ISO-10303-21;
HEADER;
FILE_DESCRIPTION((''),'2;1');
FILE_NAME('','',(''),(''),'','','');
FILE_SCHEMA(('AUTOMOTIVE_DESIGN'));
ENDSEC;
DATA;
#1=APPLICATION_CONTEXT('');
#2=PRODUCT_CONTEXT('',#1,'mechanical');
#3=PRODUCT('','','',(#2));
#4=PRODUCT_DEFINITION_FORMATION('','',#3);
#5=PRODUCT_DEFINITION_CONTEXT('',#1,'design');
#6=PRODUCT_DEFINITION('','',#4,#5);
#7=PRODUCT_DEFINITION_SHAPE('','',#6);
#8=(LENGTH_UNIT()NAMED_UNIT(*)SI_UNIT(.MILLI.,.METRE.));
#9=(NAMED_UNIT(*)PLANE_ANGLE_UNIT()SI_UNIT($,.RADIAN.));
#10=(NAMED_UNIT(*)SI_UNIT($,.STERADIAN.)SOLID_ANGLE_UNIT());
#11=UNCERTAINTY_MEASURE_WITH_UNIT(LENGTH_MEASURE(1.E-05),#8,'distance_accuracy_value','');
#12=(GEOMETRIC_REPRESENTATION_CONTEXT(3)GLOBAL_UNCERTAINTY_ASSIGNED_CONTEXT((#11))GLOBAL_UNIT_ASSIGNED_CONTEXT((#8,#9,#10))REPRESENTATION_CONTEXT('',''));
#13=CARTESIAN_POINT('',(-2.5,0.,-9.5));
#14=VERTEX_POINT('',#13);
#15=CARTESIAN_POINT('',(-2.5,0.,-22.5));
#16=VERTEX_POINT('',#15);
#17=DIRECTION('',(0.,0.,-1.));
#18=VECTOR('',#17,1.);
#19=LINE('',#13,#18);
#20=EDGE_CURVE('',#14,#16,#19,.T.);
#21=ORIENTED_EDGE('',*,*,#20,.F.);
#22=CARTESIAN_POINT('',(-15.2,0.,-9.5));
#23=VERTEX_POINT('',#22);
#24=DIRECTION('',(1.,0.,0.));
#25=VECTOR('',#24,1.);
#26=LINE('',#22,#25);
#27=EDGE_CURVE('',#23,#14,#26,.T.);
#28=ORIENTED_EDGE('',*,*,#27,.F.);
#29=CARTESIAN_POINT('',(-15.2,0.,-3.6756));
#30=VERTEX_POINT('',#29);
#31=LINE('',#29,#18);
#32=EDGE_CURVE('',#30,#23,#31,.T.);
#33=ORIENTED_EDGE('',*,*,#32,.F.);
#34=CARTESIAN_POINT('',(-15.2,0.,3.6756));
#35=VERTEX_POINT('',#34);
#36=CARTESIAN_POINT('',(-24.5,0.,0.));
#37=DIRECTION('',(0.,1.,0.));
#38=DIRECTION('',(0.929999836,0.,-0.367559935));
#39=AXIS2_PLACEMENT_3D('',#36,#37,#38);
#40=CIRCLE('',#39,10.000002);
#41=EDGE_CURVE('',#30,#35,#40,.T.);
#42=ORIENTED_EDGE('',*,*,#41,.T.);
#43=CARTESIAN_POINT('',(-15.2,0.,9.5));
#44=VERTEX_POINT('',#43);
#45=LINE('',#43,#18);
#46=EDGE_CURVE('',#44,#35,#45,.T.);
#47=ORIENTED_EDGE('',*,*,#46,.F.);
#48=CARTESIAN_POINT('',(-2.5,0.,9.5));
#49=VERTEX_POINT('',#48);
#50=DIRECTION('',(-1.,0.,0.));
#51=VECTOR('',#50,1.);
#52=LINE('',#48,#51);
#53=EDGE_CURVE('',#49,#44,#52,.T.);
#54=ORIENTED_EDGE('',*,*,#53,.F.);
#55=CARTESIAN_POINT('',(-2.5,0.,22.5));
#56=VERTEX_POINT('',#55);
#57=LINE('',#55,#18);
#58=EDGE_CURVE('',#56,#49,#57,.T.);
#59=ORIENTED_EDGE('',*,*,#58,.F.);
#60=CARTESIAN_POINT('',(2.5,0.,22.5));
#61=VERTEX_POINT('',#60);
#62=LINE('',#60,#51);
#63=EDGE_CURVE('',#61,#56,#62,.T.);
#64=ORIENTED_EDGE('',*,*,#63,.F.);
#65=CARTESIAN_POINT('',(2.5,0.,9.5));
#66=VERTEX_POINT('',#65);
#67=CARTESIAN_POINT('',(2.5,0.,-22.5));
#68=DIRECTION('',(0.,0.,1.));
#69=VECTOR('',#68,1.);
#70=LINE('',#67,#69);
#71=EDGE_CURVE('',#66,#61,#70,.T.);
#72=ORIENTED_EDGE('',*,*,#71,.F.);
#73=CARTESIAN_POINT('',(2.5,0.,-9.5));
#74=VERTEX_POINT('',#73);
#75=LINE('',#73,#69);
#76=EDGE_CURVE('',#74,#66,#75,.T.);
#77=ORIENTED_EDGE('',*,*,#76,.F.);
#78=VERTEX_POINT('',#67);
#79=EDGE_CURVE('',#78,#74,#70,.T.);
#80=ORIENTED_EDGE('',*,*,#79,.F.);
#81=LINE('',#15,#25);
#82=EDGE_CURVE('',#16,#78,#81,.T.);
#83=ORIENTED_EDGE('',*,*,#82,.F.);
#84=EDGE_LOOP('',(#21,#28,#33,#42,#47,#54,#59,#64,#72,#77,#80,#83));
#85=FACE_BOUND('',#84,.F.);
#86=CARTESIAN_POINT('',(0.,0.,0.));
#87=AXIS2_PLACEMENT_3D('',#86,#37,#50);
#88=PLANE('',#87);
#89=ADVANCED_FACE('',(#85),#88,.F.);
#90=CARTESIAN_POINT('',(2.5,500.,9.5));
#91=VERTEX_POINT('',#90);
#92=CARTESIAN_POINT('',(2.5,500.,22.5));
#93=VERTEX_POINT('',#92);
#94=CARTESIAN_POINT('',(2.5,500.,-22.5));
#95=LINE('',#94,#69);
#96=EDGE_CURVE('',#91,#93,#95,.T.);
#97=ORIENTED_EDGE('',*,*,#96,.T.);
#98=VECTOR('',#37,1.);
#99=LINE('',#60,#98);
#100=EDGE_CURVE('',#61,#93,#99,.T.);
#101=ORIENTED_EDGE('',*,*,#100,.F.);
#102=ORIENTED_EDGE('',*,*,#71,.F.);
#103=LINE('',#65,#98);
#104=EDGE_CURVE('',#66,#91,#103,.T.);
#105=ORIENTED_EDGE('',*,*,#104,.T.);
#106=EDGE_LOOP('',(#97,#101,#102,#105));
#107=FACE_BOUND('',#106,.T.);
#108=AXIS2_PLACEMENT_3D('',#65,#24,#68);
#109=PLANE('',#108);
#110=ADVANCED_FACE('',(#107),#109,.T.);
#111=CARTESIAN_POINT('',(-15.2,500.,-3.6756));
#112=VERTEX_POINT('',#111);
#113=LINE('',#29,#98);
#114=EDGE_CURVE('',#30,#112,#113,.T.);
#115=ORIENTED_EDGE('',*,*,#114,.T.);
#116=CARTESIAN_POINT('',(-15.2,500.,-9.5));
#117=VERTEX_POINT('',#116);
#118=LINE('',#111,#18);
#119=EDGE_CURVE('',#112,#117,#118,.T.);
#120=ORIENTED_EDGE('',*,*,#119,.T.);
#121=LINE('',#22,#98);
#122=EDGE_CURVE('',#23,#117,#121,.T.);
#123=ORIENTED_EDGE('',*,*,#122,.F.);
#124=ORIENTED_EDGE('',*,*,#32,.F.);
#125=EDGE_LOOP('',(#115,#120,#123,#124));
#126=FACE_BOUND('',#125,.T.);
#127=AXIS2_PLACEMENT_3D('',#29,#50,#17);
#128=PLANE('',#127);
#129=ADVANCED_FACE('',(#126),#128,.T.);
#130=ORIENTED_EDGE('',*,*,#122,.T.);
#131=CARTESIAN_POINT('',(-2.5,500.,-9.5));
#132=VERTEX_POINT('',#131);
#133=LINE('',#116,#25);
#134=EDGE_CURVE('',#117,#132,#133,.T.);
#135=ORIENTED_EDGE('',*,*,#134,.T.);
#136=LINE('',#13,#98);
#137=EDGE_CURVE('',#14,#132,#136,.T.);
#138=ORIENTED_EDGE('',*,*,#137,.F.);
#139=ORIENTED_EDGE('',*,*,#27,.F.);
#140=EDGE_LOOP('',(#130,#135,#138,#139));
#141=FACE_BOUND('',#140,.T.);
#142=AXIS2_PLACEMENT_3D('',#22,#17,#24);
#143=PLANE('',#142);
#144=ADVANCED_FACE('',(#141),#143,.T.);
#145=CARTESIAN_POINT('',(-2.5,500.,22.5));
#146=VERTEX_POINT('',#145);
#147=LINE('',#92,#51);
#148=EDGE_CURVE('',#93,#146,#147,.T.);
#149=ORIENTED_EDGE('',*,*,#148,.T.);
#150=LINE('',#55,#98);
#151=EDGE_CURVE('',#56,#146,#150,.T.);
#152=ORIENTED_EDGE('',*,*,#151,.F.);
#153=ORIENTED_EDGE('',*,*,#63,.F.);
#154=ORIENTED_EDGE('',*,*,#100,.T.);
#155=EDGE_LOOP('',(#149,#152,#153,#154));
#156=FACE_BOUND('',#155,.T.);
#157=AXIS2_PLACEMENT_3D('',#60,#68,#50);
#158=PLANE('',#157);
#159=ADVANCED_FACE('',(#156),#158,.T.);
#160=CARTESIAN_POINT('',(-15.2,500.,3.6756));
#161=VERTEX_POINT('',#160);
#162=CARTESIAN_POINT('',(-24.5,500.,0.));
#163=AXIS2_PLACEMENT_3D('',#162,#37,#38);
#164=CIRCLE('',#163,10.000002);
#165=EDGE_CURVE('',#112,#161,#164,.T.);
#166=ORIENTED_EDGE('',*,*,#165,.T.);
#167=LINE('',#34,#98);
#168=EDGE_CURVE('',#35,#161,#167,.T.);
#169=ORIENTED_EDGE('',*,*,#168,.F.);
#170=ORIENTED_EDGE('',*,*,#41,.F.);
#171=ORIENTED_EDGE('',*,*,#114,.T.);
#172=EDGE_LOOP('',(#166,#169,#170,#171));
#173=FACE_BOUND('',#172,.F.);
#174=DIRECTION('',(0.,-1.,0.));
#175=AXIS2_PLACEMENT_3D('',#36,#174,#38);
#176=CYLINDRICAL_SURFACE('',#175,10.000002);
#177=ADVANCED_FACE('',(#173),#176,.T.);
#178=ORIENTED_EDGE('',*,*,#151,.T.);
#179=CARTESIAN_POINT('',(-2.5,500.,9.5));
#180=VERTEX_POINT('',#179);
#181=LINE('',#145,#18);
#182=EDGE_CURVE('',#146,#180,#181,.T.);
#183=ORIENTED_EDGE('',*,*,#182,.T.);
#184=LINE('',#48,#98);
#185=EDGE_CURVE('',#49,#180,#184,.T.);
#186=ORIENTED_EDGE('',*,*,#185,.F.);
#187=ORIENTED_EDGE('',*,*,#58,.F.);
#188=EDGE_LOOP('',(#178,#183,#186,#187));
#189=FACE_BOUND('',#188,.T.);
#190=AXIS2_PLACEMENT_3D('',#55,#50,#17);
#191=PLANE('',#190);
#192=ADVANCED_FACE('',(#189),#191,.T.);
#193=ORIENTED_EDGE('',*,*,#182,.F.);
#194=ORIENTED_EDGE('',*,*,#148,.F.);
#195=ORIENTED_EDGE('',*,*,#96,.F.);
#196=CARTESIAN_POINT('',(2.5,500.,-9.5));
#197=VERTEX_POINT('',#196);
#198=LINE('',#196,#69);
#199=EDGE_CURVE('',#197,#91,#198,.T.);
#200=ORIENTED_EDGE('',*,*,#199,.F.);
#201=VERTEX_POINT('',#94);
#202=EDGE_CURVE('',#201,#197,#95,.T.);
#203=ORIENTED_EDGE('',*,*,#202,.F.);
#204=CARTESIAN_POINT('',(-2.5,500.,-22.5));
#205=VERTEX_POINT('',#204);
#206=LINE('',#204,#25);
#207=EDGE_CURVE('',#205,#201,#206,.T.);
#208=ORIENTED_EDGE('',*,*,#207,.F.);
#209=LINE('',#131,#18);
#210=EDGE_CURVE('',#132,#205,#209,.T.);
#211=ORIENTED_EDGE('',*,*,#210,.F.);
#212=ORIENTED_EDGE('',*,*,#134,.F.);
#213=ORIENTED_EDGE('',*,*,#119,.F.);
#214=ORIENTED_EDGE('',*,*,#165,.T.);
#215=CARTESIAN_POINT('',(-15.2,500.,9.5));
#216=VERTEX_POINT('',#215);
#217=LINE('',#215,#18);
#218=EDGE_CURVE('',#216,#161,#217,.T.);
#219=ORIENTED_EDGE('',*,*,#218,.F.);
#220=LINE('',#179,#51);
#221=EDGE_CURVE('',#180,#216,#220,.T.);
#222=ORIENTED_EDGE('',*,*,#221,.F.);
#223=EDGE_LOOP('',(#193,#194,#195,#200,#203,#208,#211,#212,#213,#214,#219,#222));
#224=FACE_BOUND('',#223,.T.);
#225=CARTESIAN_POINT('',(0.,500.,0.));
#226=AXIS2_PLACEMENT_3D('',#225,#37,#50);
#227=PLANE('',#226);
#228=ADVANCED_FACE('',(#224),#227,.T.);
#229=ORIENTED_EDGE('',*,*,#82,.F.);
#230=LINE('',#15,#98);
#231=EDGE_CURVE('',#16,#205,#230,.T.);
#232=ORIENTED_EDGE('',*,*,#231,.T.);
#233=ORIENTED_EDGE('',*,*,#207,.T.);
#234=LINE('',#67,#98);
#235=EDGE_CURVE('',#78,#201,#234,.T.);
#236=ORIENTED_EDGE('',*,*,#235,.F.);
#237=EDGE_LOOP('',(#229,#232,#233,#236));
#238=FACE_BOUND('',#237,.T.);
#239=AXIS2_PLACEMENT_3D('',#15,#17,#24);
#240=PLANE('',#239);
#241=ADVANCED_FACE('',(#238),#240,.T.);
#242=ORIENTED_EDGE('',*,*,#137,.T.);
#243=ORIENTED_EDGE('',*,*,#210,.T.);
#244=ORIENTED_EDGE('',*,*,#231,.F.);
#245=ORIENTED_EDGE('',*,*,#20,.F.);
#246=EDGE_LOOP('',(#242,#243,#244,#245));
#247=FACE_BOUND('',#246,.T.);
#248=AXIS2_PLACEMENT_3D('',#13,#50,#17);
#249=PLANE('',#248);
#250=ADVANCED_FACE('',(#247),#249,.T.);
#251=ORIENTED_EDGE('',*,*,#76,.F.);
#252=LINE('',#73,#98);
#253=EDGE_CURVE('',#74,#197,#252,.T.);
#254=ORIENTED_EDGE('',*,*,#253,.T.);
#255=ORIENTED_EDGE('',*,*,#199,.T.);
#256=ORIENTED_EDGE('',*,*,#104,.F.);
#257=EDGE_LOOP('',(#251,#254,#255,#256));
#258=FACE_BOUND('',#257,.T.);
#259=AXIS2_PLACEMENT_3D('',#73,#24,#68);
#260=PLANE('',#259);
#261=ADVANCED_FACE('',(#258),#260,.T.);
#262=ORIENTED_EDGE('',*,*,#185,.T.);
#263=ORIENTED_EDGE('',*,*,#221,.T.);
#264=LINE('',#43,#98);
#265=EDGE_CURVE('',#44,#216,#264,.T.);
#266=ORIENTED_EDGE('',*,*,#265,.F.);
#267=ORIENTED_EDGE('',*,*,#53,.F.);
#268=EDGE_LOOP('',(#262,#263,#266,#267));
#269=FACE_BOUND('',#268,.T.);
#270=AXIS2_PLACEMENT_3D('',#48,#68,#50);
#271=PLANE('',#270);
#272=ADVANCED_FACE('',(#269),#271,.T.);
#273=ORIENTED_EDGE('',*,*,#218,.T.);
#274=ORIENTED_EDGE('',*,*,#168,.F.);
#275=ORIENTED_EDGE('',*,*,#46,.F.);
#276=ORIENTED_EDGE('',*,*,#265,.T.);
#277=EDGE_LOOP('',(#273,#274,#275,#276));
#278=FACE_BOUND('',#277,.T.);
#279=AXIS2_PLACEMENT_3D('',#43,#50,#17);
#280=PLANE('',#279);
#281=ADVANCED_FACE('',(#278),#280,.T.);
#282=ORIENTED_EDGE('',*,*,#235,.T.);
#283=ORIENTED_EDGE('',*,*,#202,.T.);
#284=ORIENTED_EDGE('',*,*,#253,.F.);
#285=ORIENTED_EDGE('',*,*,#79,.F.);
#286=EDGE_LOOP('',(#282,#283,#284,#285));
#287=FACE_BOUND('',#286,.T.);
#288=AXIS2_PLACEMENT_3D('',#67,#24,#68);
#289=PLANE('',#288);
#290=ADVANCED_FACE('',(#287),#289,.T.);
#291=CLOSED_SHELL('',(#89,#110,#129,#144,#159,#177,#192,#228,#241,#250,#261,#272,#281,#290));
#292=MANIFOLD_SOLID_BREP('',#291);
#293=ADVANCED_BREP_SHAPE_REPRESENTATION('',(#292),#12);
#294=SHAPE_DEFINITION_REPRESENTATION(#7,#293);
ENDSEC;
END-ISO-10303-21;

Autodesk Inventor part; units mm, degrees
ref_plane "YZ Plane" through (0, 0, 0) normal (1, 0, 0) x (0, 1, 0)
ref_plane "XZ Plane" through (0, 0, 0) normal (0, 1, 0) x (-1, 0, 0)
ref_plane "XY Plane" through (0, 0, 0) normal (0, 0, 1) x (1, 0, 0)
sketch "Sketch1" plane through (0, 0, 0) normal (0, 1, 0) x (-1, 0, 0)
  line L0 (-2.5, 22.5) -> (2.5, 22.5)
  line L1 (2.5, -22.5) -> (-2.5, -22.5)
  line L2 (-2.5, -22.5) -> (-2.5, 22.5)
  line L3 (15.2, -9.5) -> (2.5, -9.5)
  line L4 (-2.5, -9.5) -> (-2.5, 9.5)
  line L5 (2.5, 9.5) -> (15.2, 9.5)
  arc A0 (15.2, -3.6756) -> (15.2, 3.6756) centre (24.5, 0) ccw
  line L6 (15.2, 9.5) -> (15.2, 3.6756)
  line L7 (15.2, -3.6756) -> (15.2, -9.5)
  line L8 (2.5, 22.5) -> (2.5, 9.5)
  line L9 (2.5, -9.5) -> (2.5, -22.5)
  point P0 (0, 0)
  point P1 (2.5, 0)
extrude "Extrusion1" add sketch "Sketch1" along normal blind 500
properties part number "Riel"
